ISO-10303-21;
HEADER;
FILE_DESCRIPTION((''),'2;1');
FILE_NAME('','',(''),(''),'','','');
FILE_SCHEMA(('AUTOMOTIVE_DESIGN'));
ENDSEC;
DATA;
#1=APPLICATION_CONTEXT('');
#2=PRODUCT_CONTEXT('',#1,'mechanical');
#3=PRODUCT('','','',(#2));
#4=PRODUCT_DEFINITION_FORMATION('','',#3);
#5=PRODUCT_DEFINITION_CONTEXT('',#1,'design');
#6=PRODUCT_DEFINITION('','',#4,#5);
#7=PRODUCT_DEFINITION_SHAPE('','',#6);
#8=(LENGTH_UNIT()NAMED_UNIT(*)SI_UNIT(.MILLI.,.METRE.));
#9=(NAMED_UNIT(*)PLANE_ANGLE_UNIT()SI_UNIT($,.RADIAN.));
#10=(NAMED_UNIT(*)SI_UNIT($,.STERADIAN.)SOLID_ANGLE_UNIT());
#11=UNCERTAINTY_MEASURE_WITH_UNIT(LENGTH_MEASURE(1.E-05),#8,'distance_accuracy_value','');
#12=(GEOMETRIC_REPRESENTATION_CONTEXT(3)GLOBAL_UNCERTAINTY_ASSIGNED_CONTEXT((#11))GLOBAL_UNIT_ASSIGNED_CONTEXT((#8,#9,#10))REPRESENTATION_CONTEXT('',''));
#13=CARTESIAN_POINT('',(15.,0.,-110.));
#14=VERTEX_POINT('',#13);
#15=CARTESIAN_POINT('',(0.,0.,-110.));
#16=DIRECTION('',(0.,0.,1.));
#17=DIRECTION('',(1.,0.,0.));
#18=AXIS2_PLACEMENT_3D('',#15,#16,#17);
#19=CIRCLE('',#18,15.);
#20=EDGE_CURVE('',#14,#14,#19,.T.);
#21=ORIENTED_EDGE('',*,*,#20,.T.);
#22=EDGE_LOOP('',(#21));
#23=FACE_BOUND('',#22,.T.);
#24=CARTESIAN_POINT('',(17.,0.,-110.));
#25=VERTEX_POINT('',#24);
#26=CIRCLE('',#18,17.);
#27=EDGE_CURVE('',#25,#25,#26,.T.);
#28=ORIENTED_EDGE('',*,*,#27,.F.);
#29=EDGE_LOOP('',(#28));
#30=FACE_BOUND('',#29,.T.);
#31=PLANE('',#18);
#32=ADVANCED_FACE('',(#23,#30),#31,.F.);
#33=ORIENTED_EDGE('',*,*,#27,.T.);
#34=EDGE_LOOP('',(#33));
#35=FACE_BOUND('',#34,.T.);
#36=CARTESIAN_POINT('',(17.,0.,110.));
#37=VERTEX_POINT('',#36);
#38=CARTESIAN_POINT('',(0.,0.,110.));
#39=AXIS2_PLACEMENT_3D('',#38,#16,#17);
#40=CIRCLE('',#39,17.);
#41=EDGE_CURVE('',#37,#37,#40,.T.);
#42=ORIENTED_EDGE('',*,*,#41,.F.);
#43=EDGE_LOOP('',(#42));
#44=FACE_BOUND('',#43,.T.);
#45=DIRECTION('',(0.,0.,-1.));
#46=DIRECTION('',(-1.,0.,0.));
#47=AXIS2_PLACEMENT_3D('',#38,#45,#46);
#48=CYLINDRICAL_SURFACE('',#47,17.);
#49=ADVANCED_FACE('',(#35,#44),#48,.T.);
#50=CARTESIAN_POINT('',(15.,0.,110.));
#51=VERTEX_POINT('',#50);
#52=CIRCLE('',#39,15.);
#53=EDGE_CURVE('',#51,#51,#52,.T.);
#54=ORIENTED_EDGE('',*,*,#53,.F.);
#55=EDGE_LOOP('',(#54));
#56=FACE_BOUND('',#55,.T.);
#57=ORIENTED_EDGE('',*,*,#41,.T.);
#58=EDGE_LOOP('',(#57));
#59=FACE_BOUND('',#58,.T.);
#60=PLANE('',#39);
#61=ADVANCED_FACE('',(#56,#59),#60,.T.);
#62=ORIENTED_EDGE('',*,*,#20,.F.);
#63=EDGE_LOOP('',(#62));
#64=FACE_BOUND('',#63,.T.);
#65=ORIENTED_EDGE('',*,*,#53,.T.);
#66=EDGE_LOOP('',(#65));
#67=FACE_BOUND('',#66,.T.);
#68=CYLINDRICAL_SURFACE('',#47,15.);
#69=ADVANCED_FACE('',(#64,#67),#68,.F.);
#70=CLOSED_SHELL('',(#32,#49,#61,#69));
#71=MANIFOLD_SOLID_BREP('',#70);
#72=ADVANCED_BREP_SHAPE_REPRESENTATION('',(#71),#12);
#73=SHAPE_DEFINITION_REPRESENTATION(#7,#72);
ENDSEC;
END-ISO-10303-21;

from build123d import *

# Parameters (mm, degrees)
SKETCH1_R           = 17
SKETCH1_R_2         = 15
BOSS_EXTRUDE1_DEPTH = 110


with BuildPart() as part:
    # Sketch1 → Boss-Extrude1 (new, symmetric)
    with BuildSketch(Plane.XY):
        Circle(SKETCH1_R)
        Circle(SKETCH1_R_2, mode=Mode.SUBTRACT)
    extrude(amount=BOSS_EXTRUDE1_DEPTH, both=True)


solid = part.part
